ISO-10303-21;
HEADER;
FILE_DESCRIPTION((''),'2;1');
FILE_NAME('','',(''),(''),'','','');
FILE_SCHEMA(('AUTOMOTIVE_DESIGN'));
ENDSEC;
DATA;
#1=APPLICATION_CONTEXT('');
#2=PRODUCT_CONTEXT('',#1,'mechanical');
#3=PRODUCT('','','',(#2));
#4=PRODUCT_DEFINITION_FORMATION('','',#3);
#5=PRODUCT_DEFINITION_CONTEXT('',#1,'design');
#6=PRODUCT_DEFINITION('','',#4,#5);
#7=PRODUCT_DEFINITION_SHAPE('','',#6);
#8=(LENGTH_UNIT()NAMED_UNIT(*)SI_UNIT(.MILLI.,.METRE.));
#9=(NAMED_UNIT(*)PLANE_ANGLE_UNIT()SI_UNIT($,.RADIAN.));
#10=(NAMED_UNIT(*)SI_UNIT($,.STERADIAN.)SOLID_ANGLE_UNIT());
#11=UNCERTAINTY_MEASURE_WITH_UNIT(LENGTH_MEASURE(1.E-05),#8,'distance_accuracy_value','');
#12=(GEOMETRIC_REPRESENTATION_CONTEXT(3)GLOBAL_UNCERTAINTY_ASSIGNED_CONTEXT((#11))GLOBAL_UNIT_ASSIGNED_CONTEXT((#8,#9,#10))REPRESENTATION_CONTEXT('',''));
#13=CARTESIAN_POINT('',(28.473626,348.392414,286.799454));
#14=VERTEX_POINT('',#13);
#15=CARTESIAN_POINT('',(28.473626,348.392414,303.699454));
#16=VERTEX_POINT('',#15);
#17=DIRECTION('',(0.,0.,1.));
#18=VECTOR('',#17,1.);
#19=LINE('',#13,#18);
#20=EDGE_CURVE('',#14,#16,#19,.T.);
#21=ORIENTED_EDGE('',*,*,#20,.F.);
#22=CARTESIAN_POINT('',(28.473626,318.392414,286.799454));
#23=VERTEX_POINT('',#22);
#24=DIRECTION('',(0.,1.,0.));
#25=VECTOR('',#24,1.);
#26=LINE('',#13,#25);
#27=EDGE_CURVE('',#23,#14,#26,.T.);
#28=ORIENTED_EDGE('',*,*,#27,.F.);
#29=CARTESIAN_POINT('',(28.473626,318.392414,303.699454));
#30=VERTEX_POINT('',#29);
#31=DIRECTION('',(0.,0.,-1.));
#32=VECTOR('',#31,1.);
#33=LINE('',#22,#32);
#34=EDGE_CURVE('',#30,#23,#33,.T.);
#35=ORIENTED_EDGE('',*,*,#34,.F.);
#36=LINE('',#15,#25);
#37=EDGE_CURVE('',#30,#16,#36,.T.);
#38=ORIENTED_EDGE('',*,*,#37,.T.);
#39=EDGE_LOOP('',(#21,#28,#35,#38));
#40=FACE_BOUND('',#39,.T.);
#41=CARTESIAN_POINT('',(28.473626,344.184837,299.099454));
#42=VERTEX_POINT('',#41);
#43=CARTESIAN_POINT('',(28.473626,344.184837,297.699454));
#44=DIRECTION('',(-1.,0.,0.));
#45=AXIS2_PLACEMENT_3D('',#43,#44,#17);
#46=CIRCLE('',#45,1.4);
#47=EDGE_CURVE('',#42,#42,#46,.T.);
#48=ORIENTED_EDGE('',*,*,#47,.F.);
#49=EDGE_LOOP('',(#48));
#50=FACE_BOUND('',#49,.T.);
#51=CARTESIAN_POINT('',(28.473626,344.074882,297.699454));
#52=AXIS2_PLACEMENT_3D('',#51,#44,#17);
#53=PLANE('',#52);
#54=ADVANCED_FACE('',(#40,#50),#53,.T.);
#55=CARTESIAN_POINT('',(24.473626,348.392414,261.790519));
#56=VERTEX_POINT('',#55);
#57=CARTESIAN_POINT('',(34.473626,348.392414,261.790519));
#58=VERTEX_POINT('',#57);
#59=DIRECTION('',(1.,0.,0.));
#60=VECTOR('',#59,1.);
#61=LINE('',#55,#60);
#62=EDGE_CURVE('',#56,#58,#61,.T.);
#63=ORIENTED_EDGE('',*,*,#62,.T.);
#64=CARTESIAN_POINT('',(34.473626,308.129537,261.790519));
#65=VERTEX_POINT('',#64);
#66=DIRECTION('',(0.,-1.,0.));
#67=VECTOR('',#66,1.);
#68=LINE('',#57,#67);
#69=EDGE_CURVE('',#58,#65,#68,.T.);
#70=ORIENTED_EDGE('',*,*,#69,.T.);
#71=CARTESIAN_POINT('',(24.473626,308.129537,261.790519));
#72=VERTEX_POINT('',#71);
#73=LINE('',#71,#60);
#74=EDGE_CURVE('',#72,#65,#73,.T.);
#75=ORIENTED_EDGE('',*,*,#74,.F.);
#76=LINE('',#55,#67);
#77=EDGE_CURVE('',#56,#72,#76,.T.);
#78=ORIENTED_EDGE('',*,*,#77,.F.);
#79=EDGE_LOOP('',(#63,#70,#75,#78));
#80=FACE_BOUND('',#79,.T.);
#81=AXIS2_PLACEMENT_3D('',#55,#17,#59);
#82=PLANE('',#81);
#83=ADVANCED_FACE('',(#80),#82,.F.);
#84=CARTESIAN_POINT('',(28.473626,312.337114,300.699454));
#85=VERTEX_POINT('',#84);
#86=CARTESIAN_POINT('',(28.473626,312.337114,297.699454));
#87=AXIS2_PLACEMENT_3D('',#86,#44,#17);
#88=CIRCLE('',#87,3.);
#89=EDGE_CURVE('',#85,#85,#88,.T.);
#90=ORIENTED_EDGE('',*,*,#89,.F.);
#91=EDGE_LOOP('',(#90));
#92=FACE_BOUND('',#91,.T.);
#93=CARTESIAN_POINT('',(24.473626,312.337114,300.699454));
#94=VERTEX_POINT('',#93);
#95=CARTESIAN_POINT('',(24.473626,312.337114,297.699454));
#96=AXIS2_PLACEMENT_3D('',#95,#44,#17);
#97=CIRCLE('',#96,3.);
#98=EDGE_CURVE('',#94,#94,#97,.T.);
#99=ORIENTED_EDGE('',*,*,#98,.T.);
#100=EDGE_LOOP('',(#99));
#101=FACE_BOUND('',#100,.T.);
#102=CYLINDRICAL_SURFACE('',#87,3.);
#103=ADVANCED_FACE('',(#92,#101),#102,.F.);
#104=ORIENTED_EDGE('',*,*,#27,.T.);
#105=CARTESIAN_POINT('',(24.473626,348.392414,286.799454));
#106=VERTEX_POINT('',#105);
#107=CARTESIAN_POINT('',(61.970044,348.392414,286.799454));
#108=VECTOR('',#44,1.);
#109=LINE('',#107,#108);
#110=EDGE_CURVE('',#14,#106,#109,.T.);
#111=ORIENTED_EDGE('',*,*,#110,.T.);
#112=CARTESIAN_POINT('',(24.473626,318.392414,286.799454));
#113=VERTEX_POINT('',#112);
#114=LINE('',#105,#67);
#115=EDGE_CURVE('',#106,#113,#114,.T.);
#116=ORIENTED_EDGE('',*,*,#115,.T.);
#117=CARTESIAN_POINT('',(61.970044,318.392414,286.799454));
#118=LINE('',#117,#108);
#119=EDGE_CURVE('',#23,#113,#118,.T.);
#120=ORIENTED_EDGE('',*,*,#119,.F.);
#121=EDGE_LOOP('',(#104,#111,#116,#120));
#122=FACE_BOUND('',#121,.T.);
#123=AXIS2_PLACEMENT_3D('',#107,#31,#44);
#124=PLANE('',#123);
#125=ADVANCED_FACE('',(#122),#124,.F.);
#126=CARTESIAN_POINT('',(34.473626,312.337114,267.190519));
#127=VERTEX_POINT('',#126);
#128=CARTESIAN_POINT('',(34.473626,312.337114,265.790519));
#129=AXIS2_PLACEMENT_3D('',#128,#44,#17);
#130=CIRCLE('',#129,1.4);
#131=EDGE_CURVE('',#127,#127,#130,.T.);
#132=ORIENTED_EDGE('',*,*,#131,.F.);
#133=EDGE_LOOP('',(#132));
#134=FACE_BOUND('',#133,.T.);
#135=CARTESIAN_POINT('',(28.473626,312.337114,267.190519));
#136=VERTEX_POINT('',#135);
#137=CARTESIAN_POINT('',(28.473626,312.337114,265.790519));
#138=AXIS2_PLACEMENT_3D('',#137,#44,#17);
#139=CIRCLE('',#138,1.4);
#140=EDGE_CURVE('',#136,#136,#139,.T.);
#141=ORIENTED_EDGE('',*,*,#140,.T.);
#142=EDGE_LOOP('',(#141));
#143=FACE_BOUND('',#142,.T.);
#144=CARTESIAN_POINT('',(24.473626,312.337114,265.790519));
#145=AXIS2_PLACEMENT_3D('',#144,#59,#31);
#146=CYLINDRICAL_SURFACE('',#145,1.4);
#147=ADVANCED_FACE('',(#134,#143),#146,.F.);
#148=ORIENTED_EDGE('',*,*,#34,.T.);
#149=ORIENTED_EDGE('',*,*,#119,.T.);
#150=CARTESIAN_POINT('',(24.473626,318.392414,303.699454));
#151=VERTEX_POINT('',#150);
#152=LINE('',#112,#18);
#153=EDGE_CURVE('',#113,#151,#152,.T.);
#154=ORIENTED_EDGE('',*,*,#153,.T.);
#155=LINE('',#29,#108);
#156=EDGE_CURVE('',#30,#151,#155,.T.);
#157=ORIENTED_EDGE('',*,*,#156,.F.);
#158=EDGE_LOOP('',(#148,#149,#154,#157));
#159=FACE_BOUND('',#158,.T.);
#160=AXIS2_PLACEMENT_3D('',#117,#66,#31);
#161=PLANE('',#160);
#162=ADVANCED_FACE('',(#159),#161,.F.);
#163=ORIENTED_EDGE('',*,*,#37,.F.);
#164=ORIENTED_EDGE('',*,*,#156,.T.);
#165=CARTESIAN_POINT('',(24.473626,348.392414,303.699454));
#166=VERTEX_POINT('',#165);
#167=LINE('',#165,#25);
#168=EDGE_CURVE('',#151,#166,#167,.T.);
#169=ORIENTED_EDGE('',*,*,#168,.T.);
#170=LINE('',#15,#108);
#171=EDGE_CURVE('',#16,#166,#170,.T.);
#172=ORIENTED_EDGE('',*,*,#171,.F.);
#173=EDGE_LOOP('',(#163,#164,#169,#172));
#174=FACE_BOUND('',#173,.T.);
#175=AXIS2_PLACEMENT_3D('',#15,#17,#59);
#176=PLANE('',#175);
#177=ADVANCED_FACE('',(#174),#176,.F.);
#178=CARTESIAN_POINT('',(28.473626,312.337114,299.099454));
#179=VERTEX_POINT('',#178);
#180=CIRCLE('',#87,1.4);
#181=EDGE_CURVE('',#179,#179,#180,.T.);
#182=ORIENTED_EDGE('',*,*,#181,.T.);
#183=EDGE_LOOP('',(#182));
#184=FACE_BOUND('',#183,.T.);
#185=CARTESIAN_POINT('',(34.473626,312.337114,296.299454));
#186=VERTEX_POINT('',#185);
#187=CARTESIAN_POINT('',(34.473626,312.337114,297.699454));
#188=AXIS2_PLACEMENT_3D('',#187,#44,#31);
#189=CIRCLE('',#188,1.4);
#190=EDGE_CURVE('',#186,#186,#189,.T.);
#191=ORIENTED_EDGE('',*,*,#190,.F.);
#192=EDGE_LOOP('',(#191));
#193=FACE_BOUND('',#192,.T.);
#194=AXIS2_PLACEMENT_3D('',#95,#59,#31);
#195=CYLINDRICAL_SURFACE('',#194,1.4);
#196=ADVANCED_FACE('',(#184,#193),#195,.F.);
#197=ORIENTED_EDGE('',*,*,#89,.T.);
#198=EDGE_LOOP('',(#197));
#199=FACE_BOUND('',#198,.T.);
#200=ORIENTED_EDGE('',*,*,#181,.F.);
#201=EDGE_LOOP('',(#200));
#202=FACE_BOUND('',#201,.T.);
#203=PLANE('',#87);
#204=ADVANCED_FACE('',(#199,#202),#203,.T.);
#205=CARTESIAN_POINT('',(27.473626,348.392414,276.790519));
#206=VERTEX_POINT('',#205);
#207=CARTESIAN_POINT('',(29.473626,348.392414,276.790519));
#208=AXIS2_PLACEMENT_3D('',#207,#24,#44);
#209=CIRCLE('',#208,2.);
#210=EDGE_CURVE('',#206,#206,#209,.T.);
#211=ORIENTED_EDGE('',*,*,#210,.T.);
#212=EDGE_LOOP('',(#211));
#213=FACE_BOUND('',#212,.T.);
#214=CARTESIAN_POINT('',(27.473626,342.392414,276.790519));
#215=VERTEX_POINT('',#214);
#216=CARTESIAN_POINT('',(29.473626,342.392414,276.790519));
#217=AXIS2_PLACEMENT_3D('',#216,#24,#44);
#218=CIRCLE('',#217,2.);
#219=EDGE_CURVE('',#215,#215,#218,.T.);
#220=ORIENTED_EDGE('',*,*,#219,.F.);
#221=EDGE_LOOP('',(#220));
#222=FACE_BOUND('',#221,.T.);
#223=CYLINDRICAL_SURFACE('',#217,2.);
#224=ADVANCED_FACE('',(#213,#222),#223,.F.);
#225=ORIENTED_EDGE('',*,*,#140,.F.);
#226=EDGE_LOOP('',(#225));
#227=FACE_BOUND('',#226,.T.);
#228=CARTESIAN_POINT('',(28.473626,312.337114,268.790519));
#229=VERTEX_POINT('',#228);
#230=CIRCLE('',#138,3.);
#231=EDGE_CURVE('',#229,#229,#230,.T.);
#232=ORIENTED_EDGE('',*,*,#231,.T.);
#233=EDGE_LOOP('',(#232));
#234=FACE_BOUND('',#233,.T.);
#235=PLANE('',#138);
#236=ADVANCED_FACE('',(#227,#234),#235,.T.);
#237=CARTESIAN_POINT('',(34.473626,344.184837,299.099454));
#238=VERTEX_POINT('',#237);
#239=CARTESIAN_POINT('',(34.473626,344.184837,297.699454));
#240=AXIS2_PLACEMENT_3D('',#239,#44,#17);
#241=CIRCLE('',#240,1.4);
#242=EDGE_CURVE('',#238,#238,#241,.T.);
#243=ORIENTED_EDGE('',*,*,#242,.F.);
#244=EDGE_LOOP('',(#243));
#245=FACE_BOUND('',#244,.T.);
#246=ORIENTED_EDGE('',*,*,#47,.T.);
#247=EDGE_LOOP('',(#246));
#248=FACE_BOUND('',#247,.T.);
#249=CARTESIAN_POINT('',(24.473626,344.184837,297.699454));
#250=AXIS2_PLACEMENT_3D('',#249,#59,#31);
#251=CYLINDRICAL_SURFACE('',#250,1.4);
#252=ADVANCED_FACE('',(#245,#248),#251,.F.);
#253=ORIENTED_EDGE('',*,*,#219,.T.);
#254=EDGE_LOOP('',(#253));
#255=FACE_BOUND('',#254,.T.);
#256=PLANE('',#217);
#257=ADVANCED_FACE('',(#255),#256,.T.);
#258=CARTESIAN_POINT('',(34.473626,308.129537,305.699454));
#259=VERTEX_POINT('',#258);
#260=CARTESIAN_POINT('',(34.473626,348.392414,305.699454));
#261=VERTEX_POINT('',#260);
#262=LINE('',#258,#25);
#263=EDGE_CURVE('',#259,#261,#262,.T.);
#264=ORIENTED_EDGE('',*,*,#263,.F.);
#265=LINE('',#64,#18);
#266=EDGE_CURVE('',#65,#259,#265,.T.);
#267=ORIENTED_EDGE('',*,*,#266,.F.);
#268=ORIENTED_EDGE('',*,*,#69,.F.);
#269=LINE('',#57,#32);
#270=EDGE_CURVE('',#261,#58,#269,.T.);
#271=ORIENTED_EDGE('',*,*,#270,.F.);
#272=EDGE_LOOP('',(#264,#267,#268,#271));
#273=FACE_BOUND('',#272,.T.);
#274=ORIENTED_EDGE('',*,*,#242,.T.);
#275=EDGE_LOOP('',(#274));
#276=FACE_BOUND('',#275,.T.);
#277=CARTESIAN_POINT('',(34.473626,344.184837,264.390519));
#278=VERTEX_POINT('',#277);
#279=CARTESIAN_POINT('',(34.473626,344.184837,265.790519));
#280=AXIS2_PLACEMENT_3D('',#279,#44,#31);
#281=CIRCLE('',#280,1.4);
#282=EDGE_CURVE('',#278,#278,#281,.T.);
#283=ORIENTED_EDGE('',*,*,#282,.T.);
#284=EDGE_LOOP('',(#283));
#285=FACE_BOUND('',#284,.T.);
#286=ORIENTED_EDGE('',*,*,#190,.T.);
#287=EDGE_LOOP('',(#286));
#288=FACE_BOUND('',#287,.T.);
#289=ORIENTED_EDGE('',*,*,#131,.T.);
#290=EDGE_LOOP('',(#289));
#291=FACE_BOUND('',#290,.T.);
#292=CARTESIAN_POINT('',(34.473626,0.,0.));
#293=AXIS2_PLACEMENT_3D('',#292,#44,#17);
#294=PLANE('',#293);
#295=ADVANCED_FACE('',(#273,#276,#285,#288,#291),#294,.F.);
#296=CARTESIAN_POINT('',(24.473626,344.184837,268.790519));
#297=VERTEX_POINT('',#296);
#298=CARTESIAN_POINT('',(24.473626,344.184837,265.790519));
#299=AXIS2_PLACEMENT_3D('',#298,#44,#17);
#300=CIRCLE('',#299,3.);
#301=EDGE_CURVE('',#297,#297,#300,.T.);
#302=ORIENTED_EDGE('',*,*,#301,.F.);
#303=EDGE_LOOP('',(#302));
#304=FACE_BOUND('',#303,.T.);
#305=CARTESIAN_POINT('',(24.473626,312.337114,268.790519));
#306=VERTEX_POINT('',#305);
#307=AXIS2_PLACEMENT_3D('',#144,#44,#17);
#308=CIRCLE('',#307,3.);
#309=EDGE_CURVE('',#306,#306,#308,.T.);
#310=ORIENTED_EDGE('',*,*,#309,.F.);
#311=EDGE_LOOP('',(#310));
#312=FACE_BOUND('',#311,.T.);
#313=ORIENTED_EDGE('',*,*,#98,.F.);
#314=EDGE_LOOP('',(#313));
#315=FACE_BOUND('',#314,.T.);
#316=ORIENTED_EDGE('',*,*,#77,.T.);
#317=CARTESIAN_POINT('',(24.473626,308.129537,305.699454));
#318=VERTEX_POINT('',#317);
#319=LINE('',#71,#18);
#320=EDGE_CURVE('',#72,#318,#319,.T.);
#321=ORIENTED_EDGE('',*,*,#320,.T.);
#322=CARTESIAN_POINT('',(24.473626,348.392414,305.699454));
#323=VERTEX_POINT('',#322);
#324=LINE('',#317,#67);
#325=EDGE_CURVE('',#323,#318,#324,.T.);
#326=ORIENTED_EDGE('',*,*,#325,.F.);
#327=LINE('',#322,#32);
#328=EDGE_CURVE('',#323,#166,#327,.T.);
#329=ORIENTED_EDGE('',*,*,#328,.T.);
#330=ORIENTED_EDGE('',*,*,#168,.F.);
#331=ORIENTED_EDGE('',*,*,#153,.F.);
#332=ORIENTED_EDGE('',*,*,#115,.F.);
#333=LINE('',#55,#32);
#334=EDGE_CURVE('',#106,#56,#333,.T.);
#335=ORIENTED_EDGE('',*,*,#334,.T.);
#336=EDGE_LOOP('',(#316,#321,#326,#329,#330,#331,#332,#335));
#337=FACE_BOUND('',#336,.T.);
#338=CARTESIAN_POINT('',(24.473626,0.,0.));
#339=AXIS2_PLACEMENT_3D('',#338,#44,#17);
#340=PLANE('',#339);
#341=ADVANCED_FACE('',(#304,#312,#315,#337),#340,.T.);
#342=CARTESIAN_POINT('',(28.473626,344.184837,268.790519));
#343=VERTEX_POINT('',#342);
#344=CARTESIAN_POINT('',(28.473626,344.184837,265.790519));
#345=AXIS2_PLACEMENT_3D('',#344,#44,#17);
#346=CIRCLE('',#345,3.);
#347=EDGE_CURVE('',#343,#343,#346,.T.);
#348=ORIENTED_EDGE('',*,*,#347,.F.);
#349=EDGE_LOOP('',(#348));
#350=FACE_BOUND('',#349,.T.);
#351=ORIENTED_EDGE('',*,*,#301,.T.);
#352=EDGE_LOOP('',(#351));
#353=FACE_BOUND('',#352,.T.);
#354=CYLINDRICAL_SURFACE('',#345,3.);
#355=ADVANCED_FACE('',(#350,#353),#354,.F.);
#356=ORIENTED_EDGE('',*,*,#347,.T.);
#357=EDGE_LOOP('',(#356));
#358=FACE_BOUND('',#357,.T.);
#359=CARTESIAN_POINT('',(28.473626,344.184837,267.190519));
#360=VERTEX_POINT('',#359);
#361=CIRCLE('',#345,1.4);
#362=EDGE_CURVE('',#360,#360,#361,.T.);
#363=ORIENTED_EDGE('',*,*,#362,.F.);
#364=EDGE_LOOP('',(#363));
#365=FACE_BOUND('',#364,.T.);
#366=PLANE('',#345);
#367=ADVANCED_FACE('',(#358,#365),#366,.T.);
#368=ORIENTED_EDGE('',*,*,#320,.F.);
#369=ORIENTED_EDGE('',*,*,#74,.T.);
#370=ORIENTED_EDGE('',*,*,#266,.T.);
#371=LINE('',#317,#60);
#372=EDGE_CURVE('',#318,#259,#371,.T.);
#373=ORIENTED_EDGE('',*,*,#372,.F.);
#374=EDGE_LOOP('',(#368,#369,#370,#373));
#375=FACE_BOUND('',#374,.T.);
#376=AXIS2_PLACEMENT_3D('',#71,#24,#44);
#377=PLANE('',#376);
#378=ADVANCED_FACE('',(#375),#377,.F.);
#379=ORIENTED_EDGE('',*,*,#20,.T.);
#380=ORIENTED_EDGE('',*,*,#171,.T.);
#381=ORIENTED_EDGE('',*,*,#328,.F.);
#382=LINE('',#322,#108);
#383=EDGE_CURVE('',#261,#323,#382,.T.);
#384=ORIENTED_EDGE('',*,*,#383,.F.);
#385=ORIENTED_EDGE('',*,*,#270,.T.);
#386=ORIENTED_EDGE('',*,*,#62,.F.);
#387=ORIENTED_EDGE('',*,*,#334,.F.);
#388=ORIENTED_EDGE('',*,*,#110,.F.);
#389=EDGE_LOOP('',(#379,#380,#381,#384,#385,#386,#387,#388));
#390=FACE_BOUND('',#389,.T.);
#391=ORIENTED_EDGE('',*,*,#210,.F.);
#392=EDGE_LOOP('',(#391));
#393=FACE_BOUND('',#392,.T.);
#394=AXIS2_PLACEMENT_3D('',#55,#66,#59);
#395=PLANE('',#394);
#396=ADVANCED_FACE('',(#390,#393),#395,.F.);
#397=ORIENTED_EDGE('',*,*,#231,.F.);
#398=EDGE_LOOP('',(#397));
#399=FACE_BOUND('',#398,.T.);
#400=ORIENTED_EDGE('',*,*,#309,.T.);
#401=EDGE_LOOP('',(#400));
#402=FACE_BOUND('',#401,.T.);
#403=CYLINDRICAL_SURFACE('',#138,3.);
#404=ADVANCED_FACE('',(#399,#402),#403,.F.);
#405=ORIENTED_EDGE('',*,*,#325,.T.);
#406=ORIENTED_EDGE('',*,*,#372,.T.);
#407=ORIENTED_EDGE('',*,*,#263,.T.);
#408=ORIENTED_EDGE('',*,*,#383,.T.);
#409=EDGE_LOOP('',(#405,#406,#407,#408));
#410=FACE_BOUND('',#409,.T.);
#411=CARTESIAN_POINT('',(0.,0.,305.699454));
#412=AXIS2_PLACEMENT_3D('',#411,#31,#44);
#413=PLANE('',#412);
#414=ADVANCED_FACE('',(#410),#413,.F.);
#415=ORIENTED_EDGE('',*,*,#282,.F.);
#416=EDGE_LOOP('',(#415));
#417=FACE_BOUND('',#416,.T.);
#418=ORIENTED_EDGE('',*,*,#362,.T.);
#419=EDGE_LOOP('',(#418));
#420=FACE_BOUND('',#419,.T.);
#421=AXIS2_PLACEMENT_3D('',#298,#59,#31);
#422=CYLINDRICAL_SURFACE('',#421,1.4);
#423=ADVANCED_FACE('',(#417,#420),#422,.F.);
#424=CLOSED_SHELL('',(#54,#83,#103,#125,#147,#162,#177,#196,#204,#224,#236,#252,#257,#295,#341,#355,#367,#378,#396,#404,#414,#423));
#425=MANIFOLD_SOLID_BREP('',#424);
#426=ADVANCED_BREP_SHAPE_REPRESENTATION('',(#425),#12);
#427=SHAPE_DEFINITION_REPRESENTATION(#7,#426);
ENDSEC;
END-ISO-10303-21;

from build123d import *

# Parameters (mm, degrees)
SKETCH2_W           = 39.908935046
SKETCH2_H           = 40.262877017
SKETCH2_R           = 1.4
BOSS_EXTRUDE1_DEPTH = 10
SKETCH5_R           = 3
CUT_EXTRUDE1_DEPTH  = 4
SKETCH6_W           = 14.9
SKETCH6_H           = 30
CUT_EXTRUDE2_DEPTH  = 4
SKETCH9_W           = 10
SKETCH9_H           = 40.262877017
BOSS_EXTRUDE3_DEPTH = 4
SKETCH10_W          = 2
SKETCH10_H          = 30
CUT_EXTRUDE4_DEPTH  = 4
SKETCH11_R          = 2
CUT_EXTRUDE5_DEPTH  = 6


with BuildPart() as part:
    # Sketch2 → Boss-Extrude1 (new body)
    with BuildSketch(Plane.ZY.offset(-34.473625965)):
        with Locations((281.744986803, 328.260975238)):
            Rectangle(SKETCH2_W, SKETCH2_H)
        with Locations((297.699454326, 344.184836729)):
            Circle(SKETCH2_R, mode=Mode.SUBTRACT)
        with Locations((297.699454326, 312.337113746)):
            Circle(SKETCH2_R, mode=Mode.SUBTRACT)
        with Locations((265.79051928, 312.337113746)):
            Circle(SKETCH2_R, mode=Mode.SUBTRACT)
        with Locations((265.79051928, 344.184836729)):
            Circle(SKETCH2_R, mode=Mode.SUBTRACT)
    extrude(amount=BOSS_EXTRUDE1_DEPTH)

    # Sketch5 → Cut-Extrude1 (cut)
    with BuildSketch(Plane.ZY.offset(-24.473625965)):
        with Locations((297.699454326, 344.074881585)):
            Circle(SKETCH5_R)
        with Locations((265.79051928, 312.337113746)):
            Circle(SKETCH5_R)
        with Locations((297.699454326, 312.337113746)):
            Circle(SKETCH5_R)
        with Locations((265.79051928, 344.184836729)):
            Circle(SKETCH5_R)
    extrude(amount=-CUT_EXTRUDE1_DEPTH, mode=Mode.SUBTRACT)

    # Sketch6 → Cut-Extrude2 (cut)
    with BuildSketch(Plane.ZY.offset(-24.473625965)):
        with Locations((294.249454326, 333.392413746)):
            Rectangle(SKETCH6_W, SKETCH6_H)
    extrude(amount=-CUT_EXTRUDE2_DEPTH, mode=Mode.SUBTRACT)

    # Sketch9 → Boss-Extrude3 (add)
    with BuildSketch(Plane.XY.offset(301.699454326)):
        with Locations((29.473625965, 328.260975238)):
            Rectangle(SKETCH9_W, SKETCH9_H)
    extrude(amount=BOSS_EXTRUDE3_DEPTH)

    # Sketch10 → Cut-Extrude4 (cut)
    with BuildSketch(Plane.ZY.offset(-24.473625965)):
        with Locations((302.699454326, 333.392413746)):
            Rectangle(SKETCH10_W, SKETCH10_H)
    extrude(amount=-CUT_EXTRUDE4_DEPTH, mode=Mode.SUBTRACT)

    # Sketch11 → Cut-Extrude5 (cut)
    with BuildSketch(Plane(origin=(0, 348.392413746, 0), x_dir=(1, 0, 0), z_dir=(0, 1, 0))):
        with Locations((29.473625965, -276.79051928)):
            Circle(SKETCH11_R)
    extrude(amount=-CUT_EXTRUDE5_DEPTH, mode=Mode.SUBTRACT)


solid = part.part
